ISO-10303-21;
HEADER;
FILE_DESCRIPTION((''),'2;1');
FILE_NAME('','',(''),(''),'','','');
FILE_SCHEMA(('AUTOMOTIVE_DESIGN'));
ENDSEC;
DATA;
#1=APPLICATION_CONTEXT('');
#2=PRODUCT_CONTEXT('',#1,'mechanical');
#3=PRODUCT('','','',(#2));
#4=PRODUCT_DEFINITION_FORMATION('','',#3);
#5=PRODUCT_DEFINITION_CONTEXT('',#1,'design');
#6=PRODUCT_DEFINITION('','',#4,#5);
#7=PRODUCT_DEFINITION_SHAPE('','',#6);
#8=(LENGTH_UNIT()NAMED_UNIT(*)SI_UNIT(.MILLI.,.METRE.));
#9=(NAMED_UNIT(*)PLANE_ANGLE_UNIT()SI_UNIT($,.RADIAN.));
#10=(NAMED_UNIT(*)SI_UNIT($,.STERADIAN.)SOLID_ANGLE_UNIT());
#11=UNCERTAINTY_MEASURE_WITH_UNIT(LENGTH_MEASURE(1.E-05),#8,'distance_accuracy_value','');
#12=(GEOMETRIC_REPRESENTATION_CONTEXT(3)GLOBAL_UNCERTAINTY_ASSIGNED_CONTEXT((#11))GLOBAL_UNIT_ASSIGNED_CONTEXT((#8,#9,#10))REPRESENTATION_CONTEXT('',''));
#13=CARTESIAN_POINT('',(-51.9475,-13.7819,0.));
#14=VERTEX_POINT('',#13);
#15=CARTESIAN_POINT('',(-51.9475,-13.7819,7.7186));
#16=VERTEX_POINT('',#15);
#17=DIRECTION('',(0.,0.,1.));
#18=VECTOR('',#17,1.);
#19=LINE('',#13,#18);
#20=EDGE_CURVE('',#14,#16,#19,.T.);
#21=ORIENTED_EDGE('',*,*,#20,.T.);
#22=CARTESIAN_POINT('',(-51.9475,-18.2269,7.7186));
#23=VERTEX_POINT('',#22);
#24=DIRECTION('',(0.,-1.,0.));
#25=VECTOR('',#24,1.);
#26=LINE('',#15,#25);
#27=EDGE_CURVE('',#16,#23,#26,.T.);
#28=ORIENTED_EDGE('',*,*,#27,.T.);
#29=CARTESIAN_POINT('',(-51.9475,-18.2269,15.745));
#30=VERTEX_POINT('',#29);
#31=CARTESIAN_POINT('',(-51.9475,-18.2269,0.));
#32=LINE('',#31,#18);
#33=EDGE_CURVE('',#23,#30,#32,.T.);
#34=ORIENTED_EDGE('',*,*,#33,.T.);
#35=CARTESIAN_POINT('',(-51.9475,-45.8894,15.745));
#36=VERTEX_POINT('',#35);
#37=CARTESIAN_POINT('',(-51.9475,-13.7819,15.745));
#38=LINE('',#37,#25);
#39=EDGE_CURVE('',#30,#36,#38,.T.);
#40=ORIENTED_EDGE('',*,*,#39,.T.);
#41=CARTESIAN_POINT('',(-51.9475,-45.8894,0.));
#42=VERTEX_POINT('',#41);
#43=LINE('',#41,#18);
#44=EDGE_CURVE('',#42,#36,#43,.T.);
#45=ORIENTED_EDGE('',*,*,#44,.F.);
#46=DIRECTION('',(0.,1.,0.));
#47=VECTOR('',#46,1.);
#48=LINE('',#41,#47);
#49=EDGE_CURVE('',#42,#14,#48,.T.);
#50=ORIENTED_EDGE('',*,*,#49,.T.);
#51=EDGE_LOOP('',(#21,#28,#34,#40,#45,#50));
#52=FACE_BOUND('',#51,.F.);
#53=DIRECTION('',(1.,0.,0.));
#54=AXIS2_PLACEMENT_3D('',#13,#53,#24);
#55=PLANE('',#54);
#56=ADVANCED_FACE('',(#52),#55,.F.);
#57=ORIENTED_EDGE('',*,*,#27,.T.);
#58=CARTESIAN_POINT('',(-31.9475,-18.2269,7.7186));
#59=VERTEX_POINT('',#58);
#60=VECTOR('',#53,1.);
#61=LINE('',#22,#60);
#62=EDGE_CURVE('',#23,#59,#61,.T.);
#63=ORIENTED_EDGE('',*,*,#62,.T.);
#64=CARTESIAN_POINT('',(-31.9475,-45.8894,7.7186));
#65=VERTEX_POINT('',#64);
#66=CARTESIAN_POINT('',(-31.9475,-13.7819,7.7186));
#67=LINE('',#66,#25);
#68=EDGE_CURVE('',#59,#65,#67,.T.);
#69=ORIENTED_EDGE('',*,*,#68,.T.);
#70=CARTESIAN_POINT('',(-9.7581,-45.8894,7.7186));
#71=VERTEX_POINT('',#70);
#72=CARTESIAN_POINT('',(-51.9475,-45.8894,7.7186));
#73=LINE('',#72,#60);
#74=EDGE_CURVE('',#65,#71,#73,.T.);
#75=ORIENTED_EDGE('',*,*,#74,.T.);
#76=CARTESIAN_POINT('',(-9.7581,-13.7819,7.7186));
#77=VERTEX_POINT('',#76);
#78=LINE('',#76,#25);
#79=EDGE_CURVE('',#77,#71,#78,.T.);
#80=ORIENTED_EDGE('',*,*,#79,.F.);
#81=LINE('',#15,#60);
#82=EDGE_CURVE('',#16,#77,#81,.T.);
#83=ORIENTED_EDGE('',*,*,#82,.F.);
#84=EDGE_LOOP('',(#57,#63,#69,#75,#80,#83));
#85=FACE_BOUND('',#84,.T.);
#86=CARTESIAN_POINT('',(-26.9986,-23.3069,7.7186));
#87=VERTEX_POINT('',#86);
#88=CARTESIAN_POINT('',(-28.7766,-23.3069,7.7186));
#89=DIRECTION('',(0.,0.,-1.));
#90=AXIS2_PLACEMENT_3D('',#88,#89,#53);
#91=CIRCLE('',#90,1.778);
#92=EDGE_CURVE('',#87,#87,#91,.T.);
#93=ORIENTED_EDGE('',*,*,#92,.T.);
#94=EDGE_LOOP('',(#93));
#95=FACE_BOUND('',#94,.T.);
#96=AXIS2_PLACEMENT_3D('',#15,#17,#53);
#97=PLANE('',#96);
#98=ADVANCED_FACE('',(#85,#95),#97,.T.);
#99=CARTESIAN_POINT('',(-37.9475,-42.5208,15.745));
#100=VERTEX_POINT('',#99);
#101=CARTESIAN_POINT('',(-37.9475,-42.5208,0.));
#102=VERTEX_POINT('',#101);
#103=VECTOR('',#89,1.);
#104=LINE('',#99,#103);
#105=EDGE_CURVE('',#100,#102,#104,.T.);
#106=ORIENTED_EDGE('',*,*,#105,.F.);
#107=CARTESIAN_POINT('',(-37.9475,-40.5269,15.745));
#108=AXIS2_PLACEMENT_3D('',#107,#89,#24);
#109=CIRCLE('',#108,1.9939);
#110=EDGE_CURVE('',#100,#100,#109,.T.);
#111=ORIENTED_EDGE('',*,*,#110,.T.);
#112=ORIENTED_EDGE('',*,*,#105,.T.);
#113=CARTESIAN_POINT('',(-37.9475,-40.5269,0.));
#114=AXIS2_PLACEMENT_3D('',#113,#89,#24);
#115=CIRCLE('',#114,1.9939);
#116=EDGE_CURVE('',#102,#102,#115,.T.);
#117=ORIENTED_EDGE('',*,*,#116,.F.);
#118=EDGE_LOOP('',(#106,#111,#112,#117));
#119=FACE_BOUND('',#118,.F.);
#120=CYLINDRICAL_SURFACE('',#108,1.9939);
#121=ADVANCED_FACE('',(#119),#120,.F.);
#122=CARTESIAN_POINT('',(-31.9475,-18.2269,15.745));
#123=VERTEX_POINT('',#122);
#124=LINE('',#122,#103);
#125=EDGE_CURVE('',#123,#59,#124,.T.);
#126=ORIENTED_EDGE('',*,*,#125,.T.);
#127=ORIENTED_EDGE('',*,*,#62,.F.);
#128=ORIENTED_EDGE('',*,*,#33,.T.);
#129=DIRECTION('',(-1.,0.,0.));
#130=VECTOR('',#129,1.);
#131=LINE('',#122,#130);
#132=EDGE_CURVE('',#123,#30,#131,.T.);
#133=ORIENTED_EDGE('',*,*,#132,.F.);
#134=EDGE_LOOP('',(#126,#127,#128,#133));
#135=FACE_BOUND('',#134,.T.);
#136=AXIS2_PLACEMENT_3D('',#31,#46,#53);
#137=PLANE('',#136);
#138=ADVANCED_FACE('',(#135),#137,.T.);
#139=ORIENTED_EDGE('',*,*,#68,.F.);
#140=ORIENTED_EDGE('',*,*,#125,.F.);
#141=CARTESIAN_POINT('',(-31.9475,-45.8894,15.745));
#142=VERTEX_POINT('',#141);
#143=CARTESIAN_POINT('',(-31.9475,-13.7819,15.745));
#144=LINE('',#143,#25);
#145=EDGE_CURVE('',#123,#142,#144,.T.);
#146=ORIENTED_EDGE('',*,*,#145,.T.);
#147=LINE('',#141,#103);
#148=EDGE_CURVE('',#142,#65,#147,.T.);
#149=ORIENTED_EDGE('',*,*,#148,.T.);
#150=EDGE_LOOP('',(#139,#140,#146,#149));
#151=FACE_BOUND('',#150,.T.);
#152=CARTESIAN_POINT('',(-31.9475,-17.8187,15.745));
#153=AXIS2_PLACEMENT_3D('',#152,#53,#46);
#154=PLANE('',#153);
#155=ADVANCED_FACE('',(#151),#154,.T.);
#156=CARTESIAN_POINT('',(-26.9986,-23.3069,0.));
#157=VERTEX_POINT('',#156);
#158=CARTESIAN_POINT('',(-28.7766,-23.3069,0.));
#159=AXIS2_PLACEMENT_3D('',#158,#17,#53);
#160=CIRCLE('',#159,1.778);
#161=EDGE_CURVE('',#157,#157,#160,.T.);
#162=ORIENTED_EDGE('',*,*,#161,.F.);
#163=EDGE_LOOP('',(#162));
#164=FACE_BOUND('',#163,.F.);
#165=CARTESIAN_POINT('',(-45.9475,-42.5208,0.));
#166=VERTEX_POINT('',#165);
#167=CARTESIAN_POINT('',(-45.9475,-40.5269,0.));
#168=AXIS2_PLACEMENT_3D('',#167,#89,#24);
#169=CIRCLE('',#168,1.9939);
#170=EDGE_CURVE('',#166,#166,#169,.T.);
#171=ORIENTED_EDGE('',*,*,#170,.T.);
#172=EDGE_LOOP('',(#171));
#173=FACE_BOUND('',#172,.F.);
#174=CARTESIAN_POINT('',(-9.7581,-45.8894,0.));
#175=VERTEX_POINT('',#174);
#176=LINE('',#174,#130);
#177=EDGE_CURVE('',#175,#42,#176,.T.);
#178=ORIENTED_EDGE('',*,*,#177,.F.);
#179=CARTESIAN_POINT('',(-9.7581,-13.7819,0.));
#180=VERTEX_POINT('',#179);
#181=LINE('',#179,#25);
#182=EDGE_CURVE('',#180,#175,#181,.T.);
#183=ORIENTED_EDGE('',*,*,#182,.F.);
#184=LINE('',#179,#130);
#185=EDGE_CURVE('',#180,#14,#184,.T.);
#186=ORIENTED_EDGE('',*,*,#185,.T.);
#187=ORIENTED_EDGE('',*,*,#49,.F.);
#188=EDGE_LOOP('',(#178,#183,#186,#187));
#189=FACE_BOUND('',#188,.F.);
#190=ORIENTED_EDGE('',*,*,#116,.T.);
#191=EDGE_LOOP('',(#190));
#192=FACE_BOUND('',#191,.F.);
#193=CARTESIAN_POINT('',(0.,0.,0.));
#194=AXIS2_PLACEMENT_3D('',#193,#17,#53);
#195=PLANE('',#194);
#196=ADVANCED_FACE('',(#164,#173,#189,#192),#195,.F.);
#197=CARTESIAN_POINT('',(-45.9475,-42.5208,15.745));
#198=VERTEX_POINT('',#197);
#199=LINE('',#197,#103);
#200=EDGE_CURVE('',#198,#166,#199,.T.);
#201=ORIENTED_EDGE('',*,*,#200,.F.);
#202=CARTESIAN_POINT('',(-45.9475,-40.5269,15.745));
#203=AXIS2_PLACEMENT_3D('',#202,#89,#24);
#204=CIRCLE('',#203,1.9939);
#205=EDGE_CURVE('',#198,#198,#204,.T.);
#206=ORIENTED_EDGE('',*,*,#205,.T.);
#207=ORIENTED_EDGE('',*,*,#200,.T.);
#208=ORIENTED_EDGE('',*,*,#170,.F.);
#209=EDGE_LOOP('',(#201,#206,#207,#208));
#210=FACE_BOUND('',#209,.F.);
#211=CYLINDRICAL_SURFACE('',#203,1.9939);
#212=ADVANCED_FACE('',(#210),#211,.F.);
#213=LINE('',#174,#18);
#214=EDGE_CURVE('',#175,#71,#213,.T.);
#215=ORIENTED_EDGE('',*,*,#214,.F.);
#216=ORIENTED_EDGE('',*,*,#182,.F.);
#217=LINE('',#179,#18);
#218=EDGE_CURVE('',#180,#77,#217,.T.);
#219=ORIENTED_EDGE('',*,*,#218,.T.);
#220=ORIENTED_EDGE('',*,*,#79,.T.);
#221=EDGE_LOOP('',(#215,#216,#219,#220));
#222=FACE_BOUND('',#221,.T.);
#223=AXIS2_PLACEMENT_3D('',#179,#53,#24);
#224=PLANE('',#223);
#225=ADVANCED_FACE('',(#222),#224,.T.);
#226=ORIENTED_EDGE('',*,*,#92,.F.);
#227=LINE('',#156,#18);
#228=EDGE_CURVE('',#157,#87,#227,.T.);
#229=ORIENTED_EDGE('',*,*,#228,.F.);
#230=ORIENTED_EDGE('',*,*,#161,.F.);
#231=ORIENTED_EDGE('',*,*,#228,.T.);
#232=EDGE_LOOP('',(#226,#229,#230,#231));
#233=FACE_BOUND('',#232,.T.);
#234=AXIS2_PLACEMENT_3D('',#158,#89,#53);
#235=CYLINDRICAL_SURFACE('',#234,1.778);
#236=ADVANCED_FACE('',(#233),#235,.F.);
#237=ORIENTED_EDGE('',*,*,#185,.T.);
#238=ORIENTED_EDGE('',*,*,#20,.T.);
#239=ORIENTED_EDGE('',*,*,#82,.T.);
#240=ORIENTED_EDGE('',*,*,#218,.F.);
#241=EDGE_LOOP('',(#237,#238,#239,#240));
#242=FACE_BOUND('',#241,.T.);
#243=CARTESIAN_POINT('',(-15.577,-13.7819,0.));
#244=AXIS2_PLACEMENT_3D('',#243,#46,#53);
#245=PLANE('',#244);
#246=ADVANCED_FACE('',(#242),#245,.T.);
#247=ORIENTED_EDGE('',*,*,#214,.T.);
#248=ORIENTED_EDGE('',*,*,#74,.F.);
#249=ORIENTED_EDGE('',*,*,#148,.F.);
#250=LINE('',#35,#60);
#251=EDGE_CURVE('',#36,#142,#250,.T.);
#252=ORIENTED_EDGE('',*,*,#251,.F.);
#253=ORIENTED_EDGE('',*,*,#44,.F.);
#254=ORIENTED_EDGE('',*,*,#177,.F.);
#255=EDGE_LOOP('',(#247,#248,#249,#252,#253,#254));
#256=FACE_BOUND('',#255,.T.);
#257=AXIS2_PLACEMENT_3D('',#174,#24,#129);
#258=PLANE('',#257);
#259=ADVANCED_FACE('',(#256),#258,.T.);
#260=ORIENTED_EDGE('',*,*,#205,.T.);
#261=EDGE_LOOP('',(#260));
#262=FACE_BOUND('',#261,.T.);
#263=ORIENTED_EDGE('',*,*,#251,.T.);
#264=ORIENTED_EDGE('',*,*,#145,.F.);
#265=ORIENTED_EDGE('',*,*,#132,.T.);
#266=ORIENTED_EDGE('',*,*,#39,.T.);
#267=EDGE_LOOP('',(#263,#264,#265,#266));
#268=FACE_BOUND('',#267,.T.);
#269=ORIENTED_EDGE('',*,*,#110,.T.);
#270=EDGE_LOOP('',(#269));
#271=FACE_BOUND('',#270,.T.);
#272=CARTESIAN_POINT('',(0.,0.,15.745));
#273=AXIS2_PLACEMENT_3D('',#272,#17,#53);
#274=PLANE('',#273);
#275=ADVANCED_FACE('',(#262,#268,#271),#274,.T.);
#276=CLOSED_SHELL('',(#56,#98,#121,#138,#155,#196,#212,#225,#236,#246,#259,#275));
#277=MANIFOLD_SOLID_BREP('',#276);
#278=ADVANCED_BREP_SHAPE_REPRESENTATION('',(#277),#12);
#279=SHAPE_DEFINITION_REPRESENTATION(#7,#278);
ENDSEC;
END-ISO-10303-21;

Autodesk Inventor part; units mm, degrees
ref_plane "YZ Plane" through (0, 0, 0) normal (1, 0, 0) x (0, 1, 0)
ref_plane "XZ Plane" through (0, 0, 0) normal (0, 1, 0) x (-1, 0, 0)
ref_plane "Work Plane1" through (0, 0, 0) normal (0, 0, 1) x (1, 0, 0)
ref_plane "Work Plane2" through (-55.1754, -24.0887, 15.745) normal (0, 0, -1) x (0, 1, 0)
sketch "Sketch1" plane through (0, 0, 0) normal (0, 0, 1) x (1, 0, 0)
  line L0 (-15.577, -32.8319) -> (-625.177, -32.8319)
  line L1 (-15.577, -13.7819) -> (-625.177, -13.7819)
  line L2 (-51.9475, -0.5269) -> (-51.9475, -17.8187)
  line L3 (-15.577, -10.6107) -> (-15.577, -36.0031)
  line L4 (-51.9475, -45.8894) -> (-31.9475, -45.8894)
  line L5 (-51.9475, -13.7819) -> (-9.7581, -13.7819)
  line L6 (-9.7581, -13.7819) -> (-9.7581, -45.8894)
  line L7 (-9.7581, -45.8894) -> (-51.9475, -45.8894)
  line L8 (-51.9475, -45.8894) -> (-51.9475, -13.7819)
  arc A0 (-55.86, -21.5601) -> (-54.5757, -21.9771) centre (-55.7173, -23.3069) ccw
  arc A1 (-28.9193, -21.5601) -> (-27.635, -21.9771) centre (-28.7766, -23.3069) ccw
  circle A2 centre (-55.7173, -23.3069) radius 1.778
  circle A3 centre (-28.7766, -23.3069) radius 1.778
  circle A4 centre (-37.9475, -17.22) radius 2
  circle A5 centre (-37.9475, -17.22) radius 2
  point P0 (0, 0)
extrude "Extrusion1" add sketch "Sketch1" along normal up to surface (15.745 mm away) contours L3 L5 L6 L7 L4 L8 L0 | L0 L8 L2 L1 L3 | A4
sketch "Sketch2" plane through (-51.9475, -13.7819, 15.745) normal (0, 0, 1) x (1, 0, 0)
  circle A0 centre (6, -26.745) radius 2 projected
  circle A1 centre (14, -26.745) radius 2 projected
  circle A2 centre (6, -26.745) radius 2
  circle A3 centre (14, -26.745) radius 2
  point P0 (51.9475, 13.7819)
hole "Hole1" at (-45.9475, -40.5269, 15.745) direction (0, 0, -1) diameter 3.9878 end through all
sketch "Sketch3" plane through (-51.9475, -13.7819, 15.745) normal (0, 0, 1) x (1, 0, 0)
  circle A0 centre (14, -26.745) radius 2 projected
  circle A1 centre (14, -26.745) radius 2
  point P0 (51.9475, 13.7819)
hole "Hole2" at (-37.9475, -40.5269, 15.745) direction (0, 0, -1) diameter 3.9878 end through all
sketch "Sketch5" plane through (-51.9475, -13.7819, 15.745) normal (0, 0, 1) x (1, 0, 0)
  arc A0 (5.0711, -20.6445) -> (7.8995, -17.8161) centre (6.4853, -19.2303) ccw projected
  line L0 (4.5858, -20.1592) -> (5.0711, -20.6445) projected
  arc A1 (7.4142, -17.3308) -> (4.5858, -20.1592) centre (6, -18.745) ccw projected
  line L1 (7.8995, -17.8161) -> (7.4142, -17.3308) projected
  arc A2 (7.8995, -3.6739) -> (5.0711, -0.8455) centre (6.4853, -2.2597) ccw projected
  line L2 (7.4142, -4.1592) -> (7.8995, -3.6739) projected
  arc A3 (4.5858, -1.3308) -> (7.4142, -4.1592) centre (6, -2.745) ccw projected
  line L3 (5.0711, -0.8455) -> (4.5858, -1.3308) projected
  circle A4 centre (6, -26.745) radius 2 projected
  circle A5 centre (14, -26.745) radius 2 projected
  line L4 (20, -4.0368) -> (20, 13.255) projected
  line L5 (0, 13.255) -> (20, 13.255) projected
  line L6 (0, 13.255) -> (0, -4.0368) projected
  arc A6 (0, -17.4532) -> (0, -4.0368) centre (-2, -10.745) ccw projected
  line L7 (0, -17.4532) -> (0, -32.1075) projected
  line L8 (0, -32.1075) -> (20, -32.1075) projected
  line L9 (20, -32.1075) -> (20, -17.4532) projected
  arc A7 (20, -4.0368) -> (20, -17.4532) centre (22, -10.745) ccw projected
  circle A8 centre (6, 5.255) radius 2 projected
  circle A9 centre (14, 5.255) radius 2 projected
  arc A10 (12.1005, -17.8161) -> (14.9289, -20.6445) centre (13.5147, -19.2303) ccw projected
  line L10 (12.5858, -17.3308) -> (12.1005, -17.8161) projected
  arc A11 (15.4142, -20.1592) -> (12.5858, -17.3308) centre (14, -18.745) ccw projected
  line L11 (14.9289, -20.6445) -> (15.4142, -20.1592) projected
  line L12 (10.6863, -8.745) -> (9.3137, -8.745) projected
  arc A12 (10.6863, -12.745) -> (10.6863, -8.745) centre (10.6863, -10.745) ccw projected
  line L13 (9.3137, -12.745) -> (10.6863, -12.745) projected
  arc A13 (9.3137, -8.745) -> (9.3137, -12.745) centre (9.3137, -10.745) ccw projected
  arc A14 (14.9289, -0.8455) -> (12.1005, -3.6739) centre (13.5147, -2.2597) ccw projected
  line L14 (15.4142, -1.3308) -> (14.9289, -0.8455) projected
  arc A15 (12.5858, -4.1592) -> (15.4142, -1.3308) centre (14, -2.745) ccw projected
  line L15 (12.1005, -3.6739) -> (12.5858, -4.1592) projected
  line L16 (0, -32.1075) -> (42.1894, -32.1075) projected
  line L17 (42.1894, 0) -> (0, 0) projected
  line L18 (42.1894, -32.1075) -> (20, -32.1075)
  line L19 (20, -32.1075) -> (20, 0)
  line L20 (20, 0) -> (42.1894, 0)
  line L21 (42.1894, 0) -> (42.1894, -32.1075)
  point P0 (51.9475, 13.7819)
extrude "Extrusion2" cut sketch "Sketch5" against normal blind 8.0264 contours L4 L17 L21 L16 L9 L19
sketch "Sketch7" plane through (-51.9475, -13.7819, 0) normal (0, 1, 0) x (1, 0, 0)
  line L0 (20, -15.745) -> (20, -7.7186) projected
  line L1 (0, 0) -> (0, -15.745) projected
  line L2 (20, -15.745) -> (0, -15.745)
  line L3 (0, -15.745) -> (0, -7.7186)
  line L4 (0, -7.7186) -> (20, -7.7186)
  line L5 (20, -7.7186) -> (20, -15.745)
  point P0 (51.9475, 0)
  dimension "d35" = 8.0264
extrude "Extrusion3" cut sketch "Sketch7" against normal blind 4.445
properties part number "RollerSupport"
